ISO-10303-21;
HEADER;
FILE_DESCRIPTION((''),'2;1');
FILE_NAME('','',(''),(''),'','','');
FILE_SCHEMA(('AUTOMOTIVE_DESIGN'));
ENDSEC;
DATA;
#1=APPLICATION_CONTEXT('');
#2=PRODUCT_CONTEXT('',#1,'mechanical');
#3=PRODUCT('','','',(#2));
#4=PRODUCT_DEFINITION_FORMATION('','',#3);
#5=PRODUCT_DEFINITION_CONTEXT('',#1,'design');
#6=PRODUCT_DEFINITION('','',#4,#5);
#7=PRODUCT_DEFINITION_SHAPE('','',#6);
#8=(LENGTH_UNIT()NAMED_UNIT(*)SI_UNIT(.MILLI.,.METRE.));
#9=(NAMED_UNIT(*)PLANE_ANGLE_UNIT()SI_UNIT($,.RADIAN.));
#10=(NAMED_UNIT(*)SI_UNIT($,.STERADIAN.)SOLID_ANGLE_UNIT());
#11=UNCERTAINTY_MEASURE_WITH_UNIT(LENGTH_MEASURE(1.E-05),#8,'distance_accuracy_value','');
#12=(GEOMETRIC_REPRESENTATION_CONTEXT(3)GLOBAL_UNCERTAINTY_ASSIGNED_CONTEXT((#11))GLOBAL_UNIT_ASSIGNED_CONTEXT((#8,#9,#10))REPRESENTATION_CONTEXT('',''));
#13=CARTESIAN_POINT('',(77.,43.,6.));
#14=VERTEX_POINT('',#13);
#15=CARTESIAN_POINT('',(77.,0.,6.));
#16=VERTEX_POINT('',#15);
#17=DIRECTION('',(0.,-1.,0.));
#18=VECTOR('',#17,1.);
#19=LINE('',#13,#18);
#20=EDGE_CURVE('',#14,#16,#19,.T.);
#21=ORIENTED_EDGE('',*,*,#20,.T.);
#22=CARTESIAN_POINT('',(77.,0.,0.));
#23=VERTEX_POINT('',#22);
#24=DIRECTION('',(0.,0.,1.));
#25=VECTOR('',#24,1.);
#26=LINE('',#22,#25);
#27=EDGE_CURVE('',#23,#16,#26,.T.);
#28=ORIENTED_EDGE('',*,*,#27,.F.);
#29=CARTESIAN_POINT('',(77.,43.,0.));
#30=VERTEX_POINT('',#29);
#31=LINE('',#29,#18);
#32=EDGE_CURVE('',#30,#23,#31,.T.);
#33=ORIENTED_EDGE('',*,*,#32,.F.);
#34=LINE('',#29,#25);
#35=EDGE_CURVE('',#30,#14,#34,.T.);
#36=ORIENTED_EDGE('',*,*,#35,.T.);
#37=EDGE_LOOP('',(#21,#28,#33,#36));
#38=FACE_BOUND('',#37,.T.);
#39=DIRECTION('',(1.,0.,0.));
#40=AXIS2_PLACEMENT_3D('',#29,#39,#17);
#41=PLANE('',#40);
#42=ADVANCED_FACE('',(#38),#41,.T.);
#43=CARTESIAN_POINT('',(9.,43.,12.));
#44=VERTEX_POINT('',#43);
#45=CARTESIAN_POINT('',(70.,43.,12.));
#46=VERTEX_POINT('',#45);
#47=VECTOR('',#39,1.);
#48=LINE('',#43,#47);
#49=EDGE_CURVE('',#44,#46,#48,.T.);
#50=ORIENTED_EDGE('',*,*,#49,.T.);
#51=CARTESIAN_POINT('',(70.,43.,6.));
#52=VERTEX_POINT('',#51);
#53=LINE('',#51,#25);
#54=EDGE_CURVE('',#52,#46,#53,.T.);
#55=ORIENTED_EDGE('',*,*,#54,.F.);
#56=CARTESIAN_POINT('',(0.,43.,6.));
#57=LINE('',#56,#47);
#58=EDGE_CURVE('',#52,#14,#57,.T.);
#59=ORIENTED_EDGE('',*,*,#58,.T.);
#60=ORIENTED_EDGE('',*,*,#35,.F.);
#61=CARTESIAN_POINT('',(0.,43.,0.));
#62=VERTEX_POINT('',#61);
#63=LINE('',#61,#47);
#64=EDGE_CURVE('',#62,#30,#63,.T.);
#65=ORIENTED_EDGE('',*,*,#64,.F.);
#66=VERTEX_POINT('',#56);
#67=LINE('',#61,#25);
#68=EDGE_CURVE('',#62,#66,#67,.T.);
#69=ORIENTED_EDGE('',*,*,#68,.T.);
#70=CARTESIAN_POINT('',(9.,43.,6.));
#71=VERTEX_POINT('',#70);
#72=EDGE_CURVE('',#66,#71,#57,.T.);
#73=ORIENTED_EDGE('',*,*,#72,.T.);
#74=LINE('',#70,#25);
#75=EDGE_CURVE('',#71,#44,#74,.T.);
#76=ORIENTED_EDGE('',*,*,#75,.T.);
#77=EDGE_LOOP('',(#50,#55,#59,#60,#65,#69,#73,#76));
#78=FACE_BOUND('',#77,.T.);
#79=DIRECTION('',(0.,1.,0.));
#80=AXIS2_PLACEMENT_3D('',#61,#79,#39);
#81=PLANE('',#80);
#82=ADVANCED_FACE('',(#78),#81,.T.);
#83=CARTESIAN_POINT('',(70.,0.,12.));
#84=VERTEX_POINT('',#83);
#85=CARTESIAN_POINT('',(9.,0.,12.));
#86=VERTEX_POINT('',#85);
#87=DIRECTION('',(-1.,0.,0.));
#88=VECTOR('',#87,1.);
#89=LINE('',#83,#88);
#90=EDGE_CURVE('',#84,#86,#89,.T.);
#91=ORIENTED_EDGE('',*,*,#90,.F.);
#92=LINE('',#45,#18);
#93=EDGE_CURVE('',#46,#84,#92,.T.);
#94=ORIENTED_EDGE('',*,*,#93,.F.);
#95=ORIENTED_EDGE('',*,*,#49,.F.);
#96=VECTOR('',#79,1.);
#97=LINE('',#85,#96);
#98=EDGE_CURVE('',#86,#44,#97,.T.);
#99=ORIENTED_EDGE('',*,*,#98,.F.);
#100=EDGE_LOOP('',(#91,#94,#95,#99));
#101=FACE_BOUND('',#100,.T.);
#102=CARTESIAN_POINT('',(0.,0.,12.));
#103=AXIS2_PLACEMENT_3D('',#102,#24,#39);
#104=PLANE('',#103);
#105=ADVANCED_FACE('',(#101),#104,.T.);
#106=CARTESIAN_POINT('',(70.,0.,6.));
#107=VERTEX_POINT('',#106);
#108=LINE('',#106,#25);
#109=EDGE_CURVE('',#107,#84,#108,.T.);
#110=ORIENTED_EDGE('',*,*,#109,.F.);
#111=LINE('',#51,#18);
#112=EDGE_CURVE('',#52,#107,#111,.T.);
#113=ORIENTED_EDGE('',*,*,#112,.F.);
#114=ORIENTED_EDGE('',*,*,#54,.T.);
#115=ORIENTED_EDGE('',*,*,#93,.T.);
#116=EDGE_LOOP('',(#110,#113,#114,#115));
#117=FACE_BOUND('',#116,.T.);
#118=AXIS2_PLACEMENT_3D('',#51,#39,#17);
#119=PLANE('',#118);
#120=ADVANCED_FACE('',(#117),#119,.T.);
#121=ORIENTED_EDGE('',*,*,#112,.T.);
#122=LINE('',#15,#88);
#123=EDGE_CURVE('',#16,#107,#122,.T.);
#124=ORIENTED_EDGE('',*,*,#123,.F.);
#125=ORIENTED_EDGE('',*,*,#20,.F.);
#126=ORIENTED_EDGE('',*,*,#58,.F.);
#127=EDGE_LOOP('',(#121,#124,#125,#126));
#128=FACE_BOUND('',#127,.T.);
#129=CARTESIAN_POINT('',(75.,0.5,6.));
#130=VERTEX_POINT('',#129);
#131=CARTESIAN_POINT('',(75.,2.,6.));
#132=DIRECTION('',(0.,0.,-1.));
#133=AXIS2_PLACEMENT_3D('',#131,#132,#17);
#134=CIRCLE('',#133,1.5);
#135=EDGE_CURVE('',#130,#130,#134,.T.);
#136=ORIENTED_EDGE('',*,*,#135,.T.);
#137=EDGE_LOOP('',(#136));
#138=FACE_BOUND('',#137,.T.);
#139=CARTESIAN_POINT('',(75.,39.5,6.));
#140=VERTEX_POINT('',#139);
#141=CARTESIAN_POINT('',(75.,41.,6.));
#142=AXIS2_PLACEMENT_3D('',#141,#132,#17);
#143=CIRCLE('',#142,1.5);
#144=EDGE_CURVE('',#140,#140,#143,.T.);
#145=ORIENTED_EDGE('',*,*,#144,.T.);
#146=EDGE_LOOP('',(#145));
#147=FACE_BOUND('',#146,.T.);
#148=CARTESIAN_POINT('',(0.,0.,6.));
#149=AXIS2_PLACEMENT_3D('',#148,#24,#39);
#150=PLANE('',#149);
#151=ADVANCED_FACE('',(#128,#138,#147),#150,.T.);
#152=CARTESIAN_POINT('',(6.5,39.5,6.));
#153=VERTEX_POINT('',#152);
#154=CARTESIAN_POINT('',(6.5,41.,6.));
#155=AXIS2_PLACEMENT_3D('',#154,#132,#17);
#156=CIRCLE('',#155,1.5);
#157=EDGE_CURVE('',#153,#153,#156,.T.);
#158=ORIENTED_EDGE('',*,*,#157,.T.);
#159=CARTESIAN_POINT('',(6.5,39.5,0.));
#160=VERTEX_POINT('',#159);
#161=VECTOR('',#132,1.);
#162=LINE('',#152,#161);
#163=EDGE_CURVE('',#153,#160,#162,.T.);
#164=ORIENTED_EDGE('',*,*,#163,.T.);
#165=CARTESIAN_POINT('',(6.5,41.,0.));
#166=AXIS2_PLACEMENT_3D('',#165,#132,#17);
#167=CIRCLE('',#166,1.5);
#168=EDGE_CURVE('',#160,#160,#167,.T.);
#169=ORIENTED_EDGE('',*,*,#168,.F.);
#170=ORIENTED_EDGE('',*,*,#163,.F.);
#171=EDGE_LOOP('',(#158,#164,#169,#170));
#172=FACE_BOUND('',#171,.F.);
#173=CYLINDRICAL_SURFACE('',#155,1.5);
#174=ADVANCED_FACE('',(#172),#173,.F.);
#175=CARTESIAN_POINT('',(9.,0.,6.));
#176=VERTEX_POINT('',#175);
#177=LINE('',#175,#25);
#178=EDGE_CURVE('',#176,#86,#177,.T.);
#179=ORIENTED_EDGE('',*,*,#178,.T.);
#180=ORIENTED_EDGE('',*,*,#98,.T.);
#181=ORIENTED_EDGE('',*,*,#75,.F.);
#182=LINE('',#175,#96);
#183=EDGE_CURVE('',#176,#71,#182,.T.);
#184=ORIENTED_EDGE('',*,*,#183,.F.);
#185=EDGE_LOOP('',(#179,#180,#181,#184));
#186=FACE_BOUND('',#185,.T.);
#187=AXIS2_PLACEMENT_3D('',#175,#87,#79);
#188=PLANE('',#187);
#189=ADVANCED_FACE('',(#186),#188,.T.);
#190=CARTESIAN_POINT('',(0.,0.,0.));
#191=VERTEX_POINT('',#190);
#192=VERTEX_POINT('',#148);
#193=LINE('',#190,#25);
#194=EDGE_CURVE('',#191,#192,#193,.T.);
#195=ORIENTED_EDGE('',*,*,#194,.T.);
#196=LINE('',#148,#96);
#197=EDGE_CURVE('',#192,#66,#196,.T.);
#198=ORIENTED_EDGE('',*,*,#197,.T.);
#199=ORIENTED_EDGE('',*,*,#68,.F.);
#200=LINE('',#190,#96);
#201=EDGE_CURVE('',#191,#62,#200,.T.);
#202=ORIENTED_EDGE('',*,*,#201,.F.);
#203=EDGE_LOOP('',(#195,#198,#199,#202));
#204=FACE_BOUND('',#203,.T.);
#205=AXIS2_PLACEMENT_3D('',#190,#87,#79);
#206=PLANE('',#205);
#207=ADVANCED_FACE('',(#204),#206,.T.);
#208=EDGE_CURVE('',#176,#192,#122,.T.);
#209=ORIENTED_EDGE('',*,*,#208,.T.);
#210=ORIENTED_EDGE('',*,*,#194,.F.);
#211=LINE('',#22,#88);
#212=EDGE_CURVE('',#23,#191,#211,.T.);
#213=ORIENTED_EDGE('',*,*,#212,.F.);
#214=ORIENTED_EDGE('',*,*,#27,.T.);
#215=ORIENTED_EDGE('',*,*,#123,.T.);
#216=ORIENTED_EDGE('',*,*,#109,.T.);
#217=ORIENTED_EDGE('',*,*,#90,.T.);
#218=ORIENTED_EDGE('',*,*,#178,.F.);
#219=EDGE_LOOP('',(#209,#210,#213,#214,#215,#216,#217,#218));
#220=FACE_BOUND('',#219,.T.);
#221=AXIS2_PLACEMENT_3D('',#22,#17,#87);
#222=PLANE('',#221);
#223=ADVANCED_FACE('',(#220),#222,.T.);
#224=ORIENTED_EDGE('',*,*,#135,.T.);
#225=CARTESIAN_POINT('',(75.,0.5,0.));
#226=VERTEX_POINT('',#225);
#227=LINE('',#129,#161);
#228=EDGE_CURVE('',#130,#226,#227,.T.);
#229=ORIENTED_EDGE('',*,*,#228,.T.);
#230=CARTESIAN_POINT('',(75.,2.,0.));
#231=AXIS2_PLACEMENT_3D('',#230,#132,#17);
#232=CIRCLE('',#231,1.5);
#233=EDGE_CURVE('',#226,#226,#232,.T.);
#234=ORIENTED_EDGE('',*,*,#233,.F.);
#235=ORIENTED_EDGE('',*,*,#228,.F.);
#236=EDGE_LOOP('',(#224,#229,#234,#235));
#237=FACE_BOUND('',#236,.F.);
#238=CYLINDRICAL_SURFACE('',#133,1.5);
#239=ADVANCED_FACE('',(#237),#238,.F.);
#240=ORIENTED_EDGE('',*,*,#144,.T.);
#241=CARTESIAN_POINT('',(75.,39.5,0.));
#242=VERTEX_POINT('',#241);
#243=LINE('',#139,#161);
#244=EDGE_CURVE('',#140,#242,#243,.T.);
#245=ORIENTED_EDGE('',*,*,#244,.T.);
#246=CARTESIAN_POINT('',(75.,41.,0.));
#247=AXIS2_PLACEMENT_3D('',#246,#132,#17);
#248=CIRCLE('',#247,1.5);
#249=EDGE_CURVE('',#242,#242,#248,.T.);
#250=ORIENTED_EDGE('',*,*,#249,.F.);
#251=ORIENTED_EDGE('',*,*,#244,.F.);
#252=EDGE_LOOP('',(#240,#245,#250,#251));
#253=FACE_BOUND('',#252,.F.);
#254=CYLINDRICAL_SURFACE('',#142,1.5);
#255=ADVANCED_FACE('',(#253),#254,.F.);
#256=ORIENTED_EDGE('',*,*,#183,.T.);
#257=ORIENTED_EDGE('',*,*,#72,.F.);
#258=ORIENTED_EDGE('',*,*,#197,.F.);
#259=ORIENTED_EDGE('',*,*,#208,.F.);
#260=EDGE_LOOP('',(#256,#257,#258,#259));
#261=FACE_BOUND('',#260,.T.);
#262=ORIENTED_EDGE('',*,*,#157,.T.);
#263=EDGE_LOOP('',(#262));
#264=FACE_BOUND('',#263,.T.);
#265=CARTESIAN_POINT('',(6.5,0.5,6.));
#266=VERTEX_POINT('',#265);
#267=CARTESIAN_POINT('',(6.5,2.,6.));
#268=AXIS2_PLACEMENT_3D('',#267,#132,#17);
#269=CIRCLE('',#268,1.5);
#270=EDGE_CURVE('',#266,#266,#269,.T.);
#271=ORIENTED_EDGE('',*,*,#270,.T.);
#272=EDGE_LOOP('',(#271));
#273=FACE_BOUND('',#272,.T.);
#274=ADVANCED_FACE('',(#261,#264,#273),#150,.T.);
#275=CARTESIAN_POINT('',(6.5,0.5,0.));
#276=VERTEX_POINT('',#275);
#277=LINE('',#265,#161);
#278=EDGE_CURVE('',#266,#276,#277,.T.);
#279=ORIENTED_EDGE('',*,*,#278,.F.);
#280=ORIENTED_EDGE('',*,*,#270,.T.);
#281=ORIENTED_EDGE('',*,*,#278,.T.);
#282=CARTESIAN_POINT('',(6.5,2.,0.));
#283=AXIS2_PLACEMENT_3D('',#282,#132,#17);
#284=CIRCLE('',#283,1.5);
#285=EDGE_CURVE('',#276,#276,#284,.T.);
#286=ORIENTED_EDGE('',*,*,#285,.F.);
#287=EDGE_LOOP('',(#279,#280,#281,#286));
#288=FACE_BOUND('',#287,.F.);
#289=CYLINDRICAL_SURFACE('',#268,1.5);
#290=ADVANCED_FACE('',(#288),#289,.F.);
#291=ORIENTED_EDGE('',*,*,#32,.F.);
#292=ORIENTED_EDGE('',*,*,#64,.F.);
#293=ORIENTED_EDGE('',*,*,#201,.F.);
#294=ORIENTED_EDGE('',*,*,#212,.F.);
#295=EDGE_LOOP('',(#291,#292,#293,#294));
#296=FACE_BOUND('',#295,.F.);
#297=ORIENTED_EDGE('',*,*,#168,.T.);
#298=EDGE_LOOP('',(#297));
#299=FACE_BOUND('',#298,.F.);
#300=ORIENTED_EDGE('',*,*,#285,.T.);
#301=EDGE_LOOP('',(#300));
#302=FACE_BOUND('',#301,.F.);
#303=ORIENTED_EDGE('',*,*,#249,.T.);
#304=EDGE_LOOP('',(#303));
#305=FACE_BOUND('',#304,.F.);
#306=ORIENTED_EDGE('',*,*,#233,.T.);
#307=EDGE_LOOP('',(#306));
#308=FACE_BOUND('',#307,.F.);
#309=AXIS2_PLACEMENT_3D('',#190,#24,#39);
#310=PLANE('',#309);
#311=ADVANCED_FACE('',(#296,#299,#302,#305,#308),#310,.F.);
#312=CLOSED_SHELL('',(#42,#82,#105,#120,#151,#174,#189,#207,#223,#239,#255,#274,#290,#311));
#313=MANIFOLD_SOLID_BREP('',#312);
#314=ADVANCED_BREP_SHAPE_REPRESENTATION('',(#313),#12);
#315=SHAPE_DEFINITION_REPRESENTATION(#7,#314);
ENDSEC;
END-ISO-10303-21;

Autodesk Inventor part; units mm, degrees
ref_plane "YZ Plane" through (0, 0, 0) normal (1, 0, 0) x (0, 1, 0)
ref_plane "XZ Plane" through (0, 0, 0) normal (0, 1, 0) x (-1, 0, 0)
ref_plane "XY Plane" through (0, 0, 0) normal (0, 0, 1) x (1, 0, 0)
sketch "Sketch1" plane through (0, 0, 0) normal (0, 0, 1) x (1, 0, 0)
  line L0 (0, 43) -> (77, 43)
  line L1 (77, 43) -> (77, 0)
  line L2 (77, 0) -> (0, 0)
  line L3 (0, 0) -> (0, 43)
  point P0 (74.8142, 2.33)
  point P1 (74.8142, 51.9717)
  dimension "d0" = 77
  dimension "d1" = 43
extrude "Extrusion1" add sketch "Sketch1" along normal blind 6
sketch "Sketch2" plane through (0, 0, 6) normal (0, 0, 1) x (1, 0, 0)
  point P0 (0, 0)
sketch "Sketch3" plane through (0, 0, 6) normal (0, 0, 1) x (1, 0, 0)
  line L0 (9, 43) -> (70, 43)
  line L1 (70, 43) -> (70, 0)
  line L2 (70, 0) -> (9, 0)
  line L3 (9, 0) -> (9, 43)
  line L4 (77, 0) -> (77, 43) projected
  line L5 (0, 0) -> (77, 0) projected
  line L6 (77, 43) -> (0, 43) projected
  point P0 (75, 41)
  point P1 (75, 2)
  dimension "d4" = 61
  dimension "d5" = 7
  dimension "d6" = 2
  dimension "d7" = 2
  dimension "d8" = 2
extrude "Extrusion2" add sketch "Sketch3" along normal blind 6 contours L0 L1 L2 L3
sketch "Sketch4" plane through (0, 0, 6) normal (0, 0, 1) x (1, 0, 0)
  line L0 (77, 43) -> (70, 43) projected
  line L1 (70, 0) -> (77, 0) projected
  line L2 (77, 0) -> (77, 43) projected
  point P0 (0, 0)
  point P1 (75, 2)
  point P2 (75, 41)
  dimension "d11" = 2
  dimension "d12" = 2
  dimension "d13" = 2
hole "Hole1" at (75, 2, 6) at (75, 41, 6) direction (0, 0, -1) diameter 3 end through all
sketch "Sketch5" plane through (0, 0, 6) normal (0, 0, 1) x (1, 0, 0)
  line L0 (9, 43) -> (0, 43) projected
  line L1 (0, 0) -> (9, 0) projected
  line L2 (0, 43) -> (0, 0) projected
  point P0 (6.5, 2)
  point P1 (6.5, 41)
  dimension "d21" = 2
  dimension "d22" = 2
  dimension "d23" = 6.5
hole "Hole2" at (6.5, 41, 6) at (6.5, 2, 6) direction (0, 0, -1) diameter 3 end through all
properties part number "Pantalla"
